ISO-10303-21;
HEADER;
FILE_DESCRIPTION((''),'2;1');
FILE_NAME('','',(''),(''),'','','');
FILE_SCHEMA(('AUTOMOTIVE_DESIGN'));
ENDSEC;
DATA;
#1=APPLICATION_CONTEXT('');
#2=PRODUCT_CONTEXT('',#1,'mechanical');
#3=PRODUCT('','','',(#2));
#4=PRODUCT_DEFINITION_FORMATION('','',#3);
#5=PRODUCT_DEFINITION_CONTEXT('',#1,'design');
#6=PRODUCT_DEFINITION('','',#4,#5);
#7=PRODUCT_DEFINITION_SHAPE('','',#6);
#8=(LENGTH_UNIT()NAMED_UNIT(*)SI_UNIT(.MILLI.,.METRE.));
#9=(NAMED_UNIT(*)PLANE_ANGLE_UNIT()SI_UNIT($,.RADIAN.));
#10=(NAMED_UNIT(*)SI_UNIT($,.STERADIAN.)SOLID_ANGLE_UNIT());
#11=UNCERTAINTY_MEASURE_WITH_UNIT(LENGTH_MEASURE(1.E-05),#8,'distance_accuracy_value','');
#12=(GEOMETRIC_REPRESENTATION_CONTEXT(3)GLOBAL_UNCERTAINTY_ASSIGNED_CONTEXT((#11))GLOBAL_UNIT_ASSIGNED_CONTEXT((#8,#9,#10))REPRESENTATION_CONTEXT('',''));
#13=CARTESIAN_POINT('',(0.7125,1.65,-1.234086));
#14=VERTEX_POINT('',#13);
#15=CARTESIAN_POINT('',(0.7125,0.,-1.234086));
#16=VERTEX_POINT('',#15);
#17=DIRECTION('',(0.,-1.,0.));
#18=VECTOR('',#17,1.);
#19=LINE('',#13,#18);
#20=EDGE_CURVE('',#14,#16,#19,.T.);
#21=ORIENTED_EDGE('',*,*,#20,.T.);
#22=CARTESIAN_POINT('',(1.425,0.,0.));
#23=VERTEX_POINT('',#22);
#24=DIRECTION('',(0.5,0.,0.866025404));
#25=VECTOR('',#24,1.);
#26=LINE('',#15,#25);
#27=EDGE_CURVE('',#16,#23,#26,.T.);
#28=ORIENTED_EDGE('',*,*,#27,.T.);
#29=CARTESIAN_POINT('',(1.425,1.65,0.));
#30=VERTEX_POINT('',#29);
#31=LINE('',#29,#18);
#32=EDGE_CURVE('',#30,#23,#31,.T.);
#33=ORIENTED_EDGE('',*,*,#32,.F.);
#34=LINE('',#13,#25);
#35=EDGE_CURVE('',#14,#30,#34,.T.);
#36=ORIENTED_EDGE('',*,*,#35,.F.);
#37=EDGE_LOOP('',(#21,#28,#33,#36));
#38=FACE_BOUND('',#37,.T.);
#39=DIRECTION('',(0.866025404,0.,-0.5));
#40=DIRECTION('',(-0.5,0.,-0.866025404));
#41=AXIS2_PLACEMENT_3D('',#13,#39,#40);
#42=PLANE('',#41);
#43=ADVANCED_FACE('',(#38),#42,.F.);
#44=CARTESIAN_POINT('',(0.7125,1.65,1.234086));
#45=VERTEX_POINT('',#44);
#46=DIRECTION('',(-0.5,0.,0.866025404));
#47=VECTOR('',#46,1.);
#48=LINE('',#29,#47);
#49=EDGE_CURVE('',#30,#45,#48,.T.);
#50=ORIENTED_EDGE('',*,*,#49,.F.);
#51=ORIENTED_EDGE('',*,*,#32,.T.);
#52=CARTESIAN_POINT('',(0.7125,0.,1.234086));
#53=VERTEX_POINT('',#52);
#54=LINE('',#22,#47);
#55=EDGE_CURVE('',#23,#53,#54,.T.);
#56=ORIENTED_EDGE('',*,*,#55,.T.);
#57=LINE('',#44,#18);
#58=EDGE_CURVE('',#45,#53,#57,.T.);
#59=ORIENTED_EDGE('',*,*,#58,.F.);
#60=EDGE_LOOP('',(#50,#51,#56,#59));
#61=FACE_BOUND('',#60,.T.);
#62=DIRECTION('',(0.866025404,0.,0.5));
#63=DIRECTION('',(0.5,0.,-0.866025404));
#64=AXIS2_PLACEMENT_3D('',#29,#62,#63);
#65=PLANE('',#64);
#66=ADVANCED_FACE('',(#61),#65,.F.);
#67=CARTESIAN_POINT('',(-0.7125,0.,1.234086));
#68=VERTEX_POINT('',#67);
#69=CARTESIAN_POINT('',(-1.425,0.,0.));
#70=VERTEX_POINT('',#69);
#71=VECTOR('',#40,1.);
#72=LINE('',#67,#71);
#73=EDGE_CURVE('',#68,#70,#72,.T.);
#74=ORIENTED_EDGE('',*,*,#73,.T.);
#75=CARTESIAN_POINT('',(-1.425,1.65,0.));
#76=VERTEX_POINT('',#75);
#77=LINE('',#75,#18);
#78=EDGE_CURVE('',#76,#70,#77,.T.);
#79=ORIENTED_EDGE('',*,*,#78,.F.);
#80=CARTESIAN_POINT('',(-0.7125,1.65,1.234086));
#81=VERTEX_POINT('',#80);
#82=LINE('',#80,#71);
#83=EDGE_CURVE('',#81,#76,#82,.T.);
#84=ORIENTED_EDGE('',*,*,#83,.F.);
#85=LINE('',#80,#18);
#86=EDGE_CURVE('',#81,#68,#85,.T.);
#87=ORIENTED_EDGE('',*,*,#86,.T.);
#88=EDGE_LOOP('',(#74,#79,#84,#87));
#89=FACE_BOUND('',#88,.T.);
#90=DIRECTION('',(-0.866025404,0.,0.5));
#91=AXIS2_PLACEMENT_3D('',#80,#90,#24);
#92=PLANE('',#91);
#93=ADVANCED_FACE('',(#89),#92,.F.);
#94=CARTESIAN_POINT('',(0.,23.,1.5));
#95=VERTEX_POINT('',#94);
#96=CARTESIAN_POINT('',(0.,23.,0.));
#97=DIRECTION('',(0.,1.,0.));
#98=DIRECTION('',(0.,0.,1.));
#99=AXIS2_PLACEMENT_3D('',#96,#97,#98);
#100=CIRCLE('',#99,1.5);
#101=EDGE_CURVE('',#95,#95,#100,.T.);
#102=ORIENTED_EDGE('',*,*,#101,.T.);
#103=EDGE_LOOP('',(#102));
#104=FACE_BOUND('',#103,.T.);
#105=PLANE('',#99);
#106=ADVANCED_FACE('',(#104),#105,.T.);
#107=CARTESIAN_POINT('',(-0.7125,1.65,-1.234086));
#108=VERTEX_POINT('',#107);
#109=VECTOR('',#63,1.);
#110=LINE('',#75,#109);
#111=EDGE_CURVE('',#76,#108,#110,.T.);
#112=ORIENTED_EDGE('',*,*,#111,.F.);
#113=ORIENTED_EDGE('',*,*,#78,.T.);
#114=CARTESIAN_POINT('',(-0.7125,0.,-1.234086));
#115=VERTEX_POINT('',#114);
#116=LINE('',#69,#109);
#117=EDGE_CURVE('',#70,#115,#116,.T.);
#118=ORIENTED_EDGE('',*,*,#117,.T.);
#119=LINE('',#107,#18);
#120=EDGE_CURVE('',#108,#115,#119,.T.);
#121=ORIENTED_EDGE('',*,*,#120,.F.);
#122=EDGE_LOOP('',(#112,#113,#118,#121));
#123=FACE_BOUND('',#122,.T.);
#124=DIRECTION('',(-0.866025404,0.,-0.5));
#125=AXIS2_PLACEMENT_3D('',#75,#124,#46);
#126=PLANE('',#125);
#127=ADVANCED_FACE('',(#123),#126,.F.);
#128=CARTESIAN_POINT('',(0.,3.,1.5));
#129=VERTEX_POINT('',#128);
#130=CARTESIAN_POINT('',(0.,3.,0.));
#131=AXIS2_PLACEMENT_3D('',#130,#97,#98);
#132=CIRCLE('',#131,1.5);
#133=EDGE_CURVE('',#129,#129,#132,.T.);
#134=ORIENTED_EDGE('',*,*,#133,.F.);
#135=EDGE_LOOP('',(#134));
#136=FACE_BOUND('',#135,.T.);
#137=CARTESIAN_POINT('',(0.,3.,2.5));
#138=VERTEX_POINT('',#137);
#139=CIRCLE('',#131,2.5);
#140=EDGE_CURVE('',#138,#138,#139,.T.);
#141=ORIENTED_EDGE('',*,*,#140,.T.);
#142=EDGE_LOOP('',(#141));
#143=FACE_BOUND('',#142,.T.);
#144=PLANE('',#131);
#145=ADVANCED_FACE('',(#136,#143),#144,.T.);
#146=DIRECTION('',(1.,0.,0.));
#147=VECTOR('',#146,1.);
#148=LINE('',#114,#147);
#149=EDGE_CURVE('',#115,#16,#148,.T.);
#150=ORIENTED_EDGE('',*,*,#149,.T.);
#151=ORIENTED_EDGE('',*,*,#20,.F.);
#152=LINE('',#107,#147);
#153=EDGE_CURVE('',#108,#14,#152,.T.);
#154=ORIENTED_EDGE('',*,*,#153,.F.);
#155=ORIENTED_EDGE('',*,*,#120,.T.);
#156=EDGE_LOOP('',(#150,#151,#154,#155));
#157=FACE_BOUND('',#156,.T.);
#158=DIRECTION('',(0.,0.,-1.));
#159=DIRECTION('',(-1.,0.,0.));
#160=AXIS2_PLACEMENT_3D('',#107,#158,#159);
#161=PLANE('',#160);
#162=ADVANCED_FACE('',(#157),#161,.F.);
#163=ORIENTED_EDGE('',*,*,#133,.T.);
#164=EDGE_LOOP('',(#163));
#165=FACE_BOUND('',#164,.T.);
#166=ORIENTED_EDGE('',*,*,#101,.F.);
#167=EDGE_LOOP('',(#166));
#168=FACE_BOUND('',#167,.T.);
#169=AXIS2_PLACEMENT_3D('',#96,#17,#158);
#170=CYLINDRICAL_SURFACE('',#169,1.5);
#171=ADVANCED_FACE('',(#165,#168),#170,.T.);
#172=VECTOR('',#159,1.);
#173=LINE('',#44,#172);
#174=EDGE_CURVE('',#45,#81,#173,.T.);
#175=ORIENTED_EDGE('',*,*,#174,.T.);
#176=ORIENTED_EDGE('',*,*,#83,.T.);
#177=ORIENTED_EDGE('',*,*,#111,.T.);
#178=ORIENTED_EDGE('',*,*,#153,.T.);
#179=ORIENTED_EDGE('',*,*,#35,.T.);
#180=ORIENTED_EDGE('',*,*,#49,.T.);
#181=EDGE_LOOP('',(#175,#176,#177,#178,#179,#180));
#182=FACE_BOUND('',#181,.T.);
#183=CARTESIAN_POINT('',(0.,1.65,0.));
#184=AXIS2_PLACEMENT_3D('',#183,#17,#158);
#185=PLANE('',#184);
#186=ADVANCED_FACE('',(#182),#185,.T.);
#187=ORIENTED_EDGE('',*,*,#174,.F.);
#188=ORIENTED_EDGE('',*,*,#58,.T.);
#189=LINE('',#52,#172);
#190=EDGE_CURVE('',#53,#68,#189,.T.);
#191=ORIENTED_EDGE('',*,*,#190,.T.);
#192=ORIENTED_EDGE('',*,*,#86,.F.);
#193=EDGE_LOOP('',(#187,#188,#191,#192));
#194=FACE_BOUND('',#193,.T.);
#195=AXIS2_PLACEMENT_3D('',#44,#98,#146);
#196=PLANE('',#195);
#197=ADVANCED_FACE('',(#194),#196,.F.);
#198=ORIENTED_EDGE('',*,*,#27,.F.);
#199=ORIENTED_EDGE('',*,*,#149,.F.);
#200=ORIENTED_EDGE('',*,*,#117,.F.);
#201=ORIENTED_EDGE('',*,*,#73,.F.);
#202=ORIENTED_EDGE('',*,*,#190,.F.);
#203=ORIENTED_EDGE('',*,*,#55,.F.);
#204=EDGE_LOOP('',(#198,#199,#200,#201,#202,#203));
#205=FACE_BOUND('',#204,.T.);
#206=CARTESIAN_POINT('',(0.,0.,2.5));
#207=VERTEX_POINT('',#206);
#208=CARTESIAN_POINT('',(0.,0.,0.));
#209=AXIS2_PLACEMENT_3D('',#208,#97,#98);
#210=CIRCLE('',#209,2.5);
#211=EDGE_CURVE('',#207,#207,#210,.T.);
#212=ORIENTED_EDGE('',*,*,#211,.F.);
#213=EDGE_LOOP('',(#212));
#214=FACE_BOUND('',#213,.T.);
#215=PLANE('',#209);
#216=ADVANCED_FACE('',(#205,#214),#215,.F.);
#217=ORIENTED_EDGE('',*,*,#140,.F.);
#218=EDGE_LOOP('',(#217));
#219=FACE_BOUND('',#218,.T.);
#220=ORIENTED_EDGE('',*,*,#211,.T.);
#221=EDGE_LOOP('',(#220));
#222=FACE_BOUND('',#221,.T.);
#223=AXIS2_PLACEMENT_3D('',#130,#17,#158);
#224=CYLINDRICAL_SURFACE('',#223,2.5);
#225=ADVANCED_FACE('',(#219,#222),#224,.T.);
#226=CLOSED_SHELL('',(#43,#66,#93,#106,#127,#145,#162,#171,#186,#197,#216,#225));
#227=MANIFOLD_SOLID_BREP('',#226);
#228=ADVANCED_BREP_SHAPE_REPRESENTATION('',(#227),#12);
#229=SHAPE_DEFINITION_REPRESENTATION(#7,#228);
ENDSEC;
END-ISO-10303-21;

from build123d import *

# Parameters (mm, degrees)
SKETCH_1_R          = 2.5
EXTRUDE_1_DEPTH     = 3
SKETCH_2_R          = 1.5
EXTRUDE_2_DEPTH     = 20
CUT_EXTRUDE_1_DEPTH = 1.65


with BuildPart() as part:
    # 草图1 → 凸台-拉伸1 (new body)
    with BuildSketch(Plane(origin=(0, 0, 0), x_dir=(1, 0, 0), z_dir=(0, 1, 0))):
        Circle(SKETCH_1_R)
    extrude(amount=EXTRUDE_1_DEPTH)

    # 草图2 → 凸台-拉伸2 (add)
    with BuildSketch(Plane(origin=(0, 3, 0), x_dir=(1, 0, 0), z_dir=(0, 1, 0))):
        Circle(SKETCH_2_R)
    extrude(amount=EXTRUDE_2_DEPTH)

    # 草图3 → 切除-拉伸1 (cut)
    with BuildSketch(Plane.XZ):
        Polygon((1.425, 0), (0.7125, 1.2340862), (-0.7125, 1.2340862), (-1.425, 0), (-0.7125, -1.2340862), (0.7125, -1.2340862), align=None)
    extrude(amount=-CUT_EXTRUDE_1_DEPTH, mode=Mode.SUBTRACT)


solid = part.part
